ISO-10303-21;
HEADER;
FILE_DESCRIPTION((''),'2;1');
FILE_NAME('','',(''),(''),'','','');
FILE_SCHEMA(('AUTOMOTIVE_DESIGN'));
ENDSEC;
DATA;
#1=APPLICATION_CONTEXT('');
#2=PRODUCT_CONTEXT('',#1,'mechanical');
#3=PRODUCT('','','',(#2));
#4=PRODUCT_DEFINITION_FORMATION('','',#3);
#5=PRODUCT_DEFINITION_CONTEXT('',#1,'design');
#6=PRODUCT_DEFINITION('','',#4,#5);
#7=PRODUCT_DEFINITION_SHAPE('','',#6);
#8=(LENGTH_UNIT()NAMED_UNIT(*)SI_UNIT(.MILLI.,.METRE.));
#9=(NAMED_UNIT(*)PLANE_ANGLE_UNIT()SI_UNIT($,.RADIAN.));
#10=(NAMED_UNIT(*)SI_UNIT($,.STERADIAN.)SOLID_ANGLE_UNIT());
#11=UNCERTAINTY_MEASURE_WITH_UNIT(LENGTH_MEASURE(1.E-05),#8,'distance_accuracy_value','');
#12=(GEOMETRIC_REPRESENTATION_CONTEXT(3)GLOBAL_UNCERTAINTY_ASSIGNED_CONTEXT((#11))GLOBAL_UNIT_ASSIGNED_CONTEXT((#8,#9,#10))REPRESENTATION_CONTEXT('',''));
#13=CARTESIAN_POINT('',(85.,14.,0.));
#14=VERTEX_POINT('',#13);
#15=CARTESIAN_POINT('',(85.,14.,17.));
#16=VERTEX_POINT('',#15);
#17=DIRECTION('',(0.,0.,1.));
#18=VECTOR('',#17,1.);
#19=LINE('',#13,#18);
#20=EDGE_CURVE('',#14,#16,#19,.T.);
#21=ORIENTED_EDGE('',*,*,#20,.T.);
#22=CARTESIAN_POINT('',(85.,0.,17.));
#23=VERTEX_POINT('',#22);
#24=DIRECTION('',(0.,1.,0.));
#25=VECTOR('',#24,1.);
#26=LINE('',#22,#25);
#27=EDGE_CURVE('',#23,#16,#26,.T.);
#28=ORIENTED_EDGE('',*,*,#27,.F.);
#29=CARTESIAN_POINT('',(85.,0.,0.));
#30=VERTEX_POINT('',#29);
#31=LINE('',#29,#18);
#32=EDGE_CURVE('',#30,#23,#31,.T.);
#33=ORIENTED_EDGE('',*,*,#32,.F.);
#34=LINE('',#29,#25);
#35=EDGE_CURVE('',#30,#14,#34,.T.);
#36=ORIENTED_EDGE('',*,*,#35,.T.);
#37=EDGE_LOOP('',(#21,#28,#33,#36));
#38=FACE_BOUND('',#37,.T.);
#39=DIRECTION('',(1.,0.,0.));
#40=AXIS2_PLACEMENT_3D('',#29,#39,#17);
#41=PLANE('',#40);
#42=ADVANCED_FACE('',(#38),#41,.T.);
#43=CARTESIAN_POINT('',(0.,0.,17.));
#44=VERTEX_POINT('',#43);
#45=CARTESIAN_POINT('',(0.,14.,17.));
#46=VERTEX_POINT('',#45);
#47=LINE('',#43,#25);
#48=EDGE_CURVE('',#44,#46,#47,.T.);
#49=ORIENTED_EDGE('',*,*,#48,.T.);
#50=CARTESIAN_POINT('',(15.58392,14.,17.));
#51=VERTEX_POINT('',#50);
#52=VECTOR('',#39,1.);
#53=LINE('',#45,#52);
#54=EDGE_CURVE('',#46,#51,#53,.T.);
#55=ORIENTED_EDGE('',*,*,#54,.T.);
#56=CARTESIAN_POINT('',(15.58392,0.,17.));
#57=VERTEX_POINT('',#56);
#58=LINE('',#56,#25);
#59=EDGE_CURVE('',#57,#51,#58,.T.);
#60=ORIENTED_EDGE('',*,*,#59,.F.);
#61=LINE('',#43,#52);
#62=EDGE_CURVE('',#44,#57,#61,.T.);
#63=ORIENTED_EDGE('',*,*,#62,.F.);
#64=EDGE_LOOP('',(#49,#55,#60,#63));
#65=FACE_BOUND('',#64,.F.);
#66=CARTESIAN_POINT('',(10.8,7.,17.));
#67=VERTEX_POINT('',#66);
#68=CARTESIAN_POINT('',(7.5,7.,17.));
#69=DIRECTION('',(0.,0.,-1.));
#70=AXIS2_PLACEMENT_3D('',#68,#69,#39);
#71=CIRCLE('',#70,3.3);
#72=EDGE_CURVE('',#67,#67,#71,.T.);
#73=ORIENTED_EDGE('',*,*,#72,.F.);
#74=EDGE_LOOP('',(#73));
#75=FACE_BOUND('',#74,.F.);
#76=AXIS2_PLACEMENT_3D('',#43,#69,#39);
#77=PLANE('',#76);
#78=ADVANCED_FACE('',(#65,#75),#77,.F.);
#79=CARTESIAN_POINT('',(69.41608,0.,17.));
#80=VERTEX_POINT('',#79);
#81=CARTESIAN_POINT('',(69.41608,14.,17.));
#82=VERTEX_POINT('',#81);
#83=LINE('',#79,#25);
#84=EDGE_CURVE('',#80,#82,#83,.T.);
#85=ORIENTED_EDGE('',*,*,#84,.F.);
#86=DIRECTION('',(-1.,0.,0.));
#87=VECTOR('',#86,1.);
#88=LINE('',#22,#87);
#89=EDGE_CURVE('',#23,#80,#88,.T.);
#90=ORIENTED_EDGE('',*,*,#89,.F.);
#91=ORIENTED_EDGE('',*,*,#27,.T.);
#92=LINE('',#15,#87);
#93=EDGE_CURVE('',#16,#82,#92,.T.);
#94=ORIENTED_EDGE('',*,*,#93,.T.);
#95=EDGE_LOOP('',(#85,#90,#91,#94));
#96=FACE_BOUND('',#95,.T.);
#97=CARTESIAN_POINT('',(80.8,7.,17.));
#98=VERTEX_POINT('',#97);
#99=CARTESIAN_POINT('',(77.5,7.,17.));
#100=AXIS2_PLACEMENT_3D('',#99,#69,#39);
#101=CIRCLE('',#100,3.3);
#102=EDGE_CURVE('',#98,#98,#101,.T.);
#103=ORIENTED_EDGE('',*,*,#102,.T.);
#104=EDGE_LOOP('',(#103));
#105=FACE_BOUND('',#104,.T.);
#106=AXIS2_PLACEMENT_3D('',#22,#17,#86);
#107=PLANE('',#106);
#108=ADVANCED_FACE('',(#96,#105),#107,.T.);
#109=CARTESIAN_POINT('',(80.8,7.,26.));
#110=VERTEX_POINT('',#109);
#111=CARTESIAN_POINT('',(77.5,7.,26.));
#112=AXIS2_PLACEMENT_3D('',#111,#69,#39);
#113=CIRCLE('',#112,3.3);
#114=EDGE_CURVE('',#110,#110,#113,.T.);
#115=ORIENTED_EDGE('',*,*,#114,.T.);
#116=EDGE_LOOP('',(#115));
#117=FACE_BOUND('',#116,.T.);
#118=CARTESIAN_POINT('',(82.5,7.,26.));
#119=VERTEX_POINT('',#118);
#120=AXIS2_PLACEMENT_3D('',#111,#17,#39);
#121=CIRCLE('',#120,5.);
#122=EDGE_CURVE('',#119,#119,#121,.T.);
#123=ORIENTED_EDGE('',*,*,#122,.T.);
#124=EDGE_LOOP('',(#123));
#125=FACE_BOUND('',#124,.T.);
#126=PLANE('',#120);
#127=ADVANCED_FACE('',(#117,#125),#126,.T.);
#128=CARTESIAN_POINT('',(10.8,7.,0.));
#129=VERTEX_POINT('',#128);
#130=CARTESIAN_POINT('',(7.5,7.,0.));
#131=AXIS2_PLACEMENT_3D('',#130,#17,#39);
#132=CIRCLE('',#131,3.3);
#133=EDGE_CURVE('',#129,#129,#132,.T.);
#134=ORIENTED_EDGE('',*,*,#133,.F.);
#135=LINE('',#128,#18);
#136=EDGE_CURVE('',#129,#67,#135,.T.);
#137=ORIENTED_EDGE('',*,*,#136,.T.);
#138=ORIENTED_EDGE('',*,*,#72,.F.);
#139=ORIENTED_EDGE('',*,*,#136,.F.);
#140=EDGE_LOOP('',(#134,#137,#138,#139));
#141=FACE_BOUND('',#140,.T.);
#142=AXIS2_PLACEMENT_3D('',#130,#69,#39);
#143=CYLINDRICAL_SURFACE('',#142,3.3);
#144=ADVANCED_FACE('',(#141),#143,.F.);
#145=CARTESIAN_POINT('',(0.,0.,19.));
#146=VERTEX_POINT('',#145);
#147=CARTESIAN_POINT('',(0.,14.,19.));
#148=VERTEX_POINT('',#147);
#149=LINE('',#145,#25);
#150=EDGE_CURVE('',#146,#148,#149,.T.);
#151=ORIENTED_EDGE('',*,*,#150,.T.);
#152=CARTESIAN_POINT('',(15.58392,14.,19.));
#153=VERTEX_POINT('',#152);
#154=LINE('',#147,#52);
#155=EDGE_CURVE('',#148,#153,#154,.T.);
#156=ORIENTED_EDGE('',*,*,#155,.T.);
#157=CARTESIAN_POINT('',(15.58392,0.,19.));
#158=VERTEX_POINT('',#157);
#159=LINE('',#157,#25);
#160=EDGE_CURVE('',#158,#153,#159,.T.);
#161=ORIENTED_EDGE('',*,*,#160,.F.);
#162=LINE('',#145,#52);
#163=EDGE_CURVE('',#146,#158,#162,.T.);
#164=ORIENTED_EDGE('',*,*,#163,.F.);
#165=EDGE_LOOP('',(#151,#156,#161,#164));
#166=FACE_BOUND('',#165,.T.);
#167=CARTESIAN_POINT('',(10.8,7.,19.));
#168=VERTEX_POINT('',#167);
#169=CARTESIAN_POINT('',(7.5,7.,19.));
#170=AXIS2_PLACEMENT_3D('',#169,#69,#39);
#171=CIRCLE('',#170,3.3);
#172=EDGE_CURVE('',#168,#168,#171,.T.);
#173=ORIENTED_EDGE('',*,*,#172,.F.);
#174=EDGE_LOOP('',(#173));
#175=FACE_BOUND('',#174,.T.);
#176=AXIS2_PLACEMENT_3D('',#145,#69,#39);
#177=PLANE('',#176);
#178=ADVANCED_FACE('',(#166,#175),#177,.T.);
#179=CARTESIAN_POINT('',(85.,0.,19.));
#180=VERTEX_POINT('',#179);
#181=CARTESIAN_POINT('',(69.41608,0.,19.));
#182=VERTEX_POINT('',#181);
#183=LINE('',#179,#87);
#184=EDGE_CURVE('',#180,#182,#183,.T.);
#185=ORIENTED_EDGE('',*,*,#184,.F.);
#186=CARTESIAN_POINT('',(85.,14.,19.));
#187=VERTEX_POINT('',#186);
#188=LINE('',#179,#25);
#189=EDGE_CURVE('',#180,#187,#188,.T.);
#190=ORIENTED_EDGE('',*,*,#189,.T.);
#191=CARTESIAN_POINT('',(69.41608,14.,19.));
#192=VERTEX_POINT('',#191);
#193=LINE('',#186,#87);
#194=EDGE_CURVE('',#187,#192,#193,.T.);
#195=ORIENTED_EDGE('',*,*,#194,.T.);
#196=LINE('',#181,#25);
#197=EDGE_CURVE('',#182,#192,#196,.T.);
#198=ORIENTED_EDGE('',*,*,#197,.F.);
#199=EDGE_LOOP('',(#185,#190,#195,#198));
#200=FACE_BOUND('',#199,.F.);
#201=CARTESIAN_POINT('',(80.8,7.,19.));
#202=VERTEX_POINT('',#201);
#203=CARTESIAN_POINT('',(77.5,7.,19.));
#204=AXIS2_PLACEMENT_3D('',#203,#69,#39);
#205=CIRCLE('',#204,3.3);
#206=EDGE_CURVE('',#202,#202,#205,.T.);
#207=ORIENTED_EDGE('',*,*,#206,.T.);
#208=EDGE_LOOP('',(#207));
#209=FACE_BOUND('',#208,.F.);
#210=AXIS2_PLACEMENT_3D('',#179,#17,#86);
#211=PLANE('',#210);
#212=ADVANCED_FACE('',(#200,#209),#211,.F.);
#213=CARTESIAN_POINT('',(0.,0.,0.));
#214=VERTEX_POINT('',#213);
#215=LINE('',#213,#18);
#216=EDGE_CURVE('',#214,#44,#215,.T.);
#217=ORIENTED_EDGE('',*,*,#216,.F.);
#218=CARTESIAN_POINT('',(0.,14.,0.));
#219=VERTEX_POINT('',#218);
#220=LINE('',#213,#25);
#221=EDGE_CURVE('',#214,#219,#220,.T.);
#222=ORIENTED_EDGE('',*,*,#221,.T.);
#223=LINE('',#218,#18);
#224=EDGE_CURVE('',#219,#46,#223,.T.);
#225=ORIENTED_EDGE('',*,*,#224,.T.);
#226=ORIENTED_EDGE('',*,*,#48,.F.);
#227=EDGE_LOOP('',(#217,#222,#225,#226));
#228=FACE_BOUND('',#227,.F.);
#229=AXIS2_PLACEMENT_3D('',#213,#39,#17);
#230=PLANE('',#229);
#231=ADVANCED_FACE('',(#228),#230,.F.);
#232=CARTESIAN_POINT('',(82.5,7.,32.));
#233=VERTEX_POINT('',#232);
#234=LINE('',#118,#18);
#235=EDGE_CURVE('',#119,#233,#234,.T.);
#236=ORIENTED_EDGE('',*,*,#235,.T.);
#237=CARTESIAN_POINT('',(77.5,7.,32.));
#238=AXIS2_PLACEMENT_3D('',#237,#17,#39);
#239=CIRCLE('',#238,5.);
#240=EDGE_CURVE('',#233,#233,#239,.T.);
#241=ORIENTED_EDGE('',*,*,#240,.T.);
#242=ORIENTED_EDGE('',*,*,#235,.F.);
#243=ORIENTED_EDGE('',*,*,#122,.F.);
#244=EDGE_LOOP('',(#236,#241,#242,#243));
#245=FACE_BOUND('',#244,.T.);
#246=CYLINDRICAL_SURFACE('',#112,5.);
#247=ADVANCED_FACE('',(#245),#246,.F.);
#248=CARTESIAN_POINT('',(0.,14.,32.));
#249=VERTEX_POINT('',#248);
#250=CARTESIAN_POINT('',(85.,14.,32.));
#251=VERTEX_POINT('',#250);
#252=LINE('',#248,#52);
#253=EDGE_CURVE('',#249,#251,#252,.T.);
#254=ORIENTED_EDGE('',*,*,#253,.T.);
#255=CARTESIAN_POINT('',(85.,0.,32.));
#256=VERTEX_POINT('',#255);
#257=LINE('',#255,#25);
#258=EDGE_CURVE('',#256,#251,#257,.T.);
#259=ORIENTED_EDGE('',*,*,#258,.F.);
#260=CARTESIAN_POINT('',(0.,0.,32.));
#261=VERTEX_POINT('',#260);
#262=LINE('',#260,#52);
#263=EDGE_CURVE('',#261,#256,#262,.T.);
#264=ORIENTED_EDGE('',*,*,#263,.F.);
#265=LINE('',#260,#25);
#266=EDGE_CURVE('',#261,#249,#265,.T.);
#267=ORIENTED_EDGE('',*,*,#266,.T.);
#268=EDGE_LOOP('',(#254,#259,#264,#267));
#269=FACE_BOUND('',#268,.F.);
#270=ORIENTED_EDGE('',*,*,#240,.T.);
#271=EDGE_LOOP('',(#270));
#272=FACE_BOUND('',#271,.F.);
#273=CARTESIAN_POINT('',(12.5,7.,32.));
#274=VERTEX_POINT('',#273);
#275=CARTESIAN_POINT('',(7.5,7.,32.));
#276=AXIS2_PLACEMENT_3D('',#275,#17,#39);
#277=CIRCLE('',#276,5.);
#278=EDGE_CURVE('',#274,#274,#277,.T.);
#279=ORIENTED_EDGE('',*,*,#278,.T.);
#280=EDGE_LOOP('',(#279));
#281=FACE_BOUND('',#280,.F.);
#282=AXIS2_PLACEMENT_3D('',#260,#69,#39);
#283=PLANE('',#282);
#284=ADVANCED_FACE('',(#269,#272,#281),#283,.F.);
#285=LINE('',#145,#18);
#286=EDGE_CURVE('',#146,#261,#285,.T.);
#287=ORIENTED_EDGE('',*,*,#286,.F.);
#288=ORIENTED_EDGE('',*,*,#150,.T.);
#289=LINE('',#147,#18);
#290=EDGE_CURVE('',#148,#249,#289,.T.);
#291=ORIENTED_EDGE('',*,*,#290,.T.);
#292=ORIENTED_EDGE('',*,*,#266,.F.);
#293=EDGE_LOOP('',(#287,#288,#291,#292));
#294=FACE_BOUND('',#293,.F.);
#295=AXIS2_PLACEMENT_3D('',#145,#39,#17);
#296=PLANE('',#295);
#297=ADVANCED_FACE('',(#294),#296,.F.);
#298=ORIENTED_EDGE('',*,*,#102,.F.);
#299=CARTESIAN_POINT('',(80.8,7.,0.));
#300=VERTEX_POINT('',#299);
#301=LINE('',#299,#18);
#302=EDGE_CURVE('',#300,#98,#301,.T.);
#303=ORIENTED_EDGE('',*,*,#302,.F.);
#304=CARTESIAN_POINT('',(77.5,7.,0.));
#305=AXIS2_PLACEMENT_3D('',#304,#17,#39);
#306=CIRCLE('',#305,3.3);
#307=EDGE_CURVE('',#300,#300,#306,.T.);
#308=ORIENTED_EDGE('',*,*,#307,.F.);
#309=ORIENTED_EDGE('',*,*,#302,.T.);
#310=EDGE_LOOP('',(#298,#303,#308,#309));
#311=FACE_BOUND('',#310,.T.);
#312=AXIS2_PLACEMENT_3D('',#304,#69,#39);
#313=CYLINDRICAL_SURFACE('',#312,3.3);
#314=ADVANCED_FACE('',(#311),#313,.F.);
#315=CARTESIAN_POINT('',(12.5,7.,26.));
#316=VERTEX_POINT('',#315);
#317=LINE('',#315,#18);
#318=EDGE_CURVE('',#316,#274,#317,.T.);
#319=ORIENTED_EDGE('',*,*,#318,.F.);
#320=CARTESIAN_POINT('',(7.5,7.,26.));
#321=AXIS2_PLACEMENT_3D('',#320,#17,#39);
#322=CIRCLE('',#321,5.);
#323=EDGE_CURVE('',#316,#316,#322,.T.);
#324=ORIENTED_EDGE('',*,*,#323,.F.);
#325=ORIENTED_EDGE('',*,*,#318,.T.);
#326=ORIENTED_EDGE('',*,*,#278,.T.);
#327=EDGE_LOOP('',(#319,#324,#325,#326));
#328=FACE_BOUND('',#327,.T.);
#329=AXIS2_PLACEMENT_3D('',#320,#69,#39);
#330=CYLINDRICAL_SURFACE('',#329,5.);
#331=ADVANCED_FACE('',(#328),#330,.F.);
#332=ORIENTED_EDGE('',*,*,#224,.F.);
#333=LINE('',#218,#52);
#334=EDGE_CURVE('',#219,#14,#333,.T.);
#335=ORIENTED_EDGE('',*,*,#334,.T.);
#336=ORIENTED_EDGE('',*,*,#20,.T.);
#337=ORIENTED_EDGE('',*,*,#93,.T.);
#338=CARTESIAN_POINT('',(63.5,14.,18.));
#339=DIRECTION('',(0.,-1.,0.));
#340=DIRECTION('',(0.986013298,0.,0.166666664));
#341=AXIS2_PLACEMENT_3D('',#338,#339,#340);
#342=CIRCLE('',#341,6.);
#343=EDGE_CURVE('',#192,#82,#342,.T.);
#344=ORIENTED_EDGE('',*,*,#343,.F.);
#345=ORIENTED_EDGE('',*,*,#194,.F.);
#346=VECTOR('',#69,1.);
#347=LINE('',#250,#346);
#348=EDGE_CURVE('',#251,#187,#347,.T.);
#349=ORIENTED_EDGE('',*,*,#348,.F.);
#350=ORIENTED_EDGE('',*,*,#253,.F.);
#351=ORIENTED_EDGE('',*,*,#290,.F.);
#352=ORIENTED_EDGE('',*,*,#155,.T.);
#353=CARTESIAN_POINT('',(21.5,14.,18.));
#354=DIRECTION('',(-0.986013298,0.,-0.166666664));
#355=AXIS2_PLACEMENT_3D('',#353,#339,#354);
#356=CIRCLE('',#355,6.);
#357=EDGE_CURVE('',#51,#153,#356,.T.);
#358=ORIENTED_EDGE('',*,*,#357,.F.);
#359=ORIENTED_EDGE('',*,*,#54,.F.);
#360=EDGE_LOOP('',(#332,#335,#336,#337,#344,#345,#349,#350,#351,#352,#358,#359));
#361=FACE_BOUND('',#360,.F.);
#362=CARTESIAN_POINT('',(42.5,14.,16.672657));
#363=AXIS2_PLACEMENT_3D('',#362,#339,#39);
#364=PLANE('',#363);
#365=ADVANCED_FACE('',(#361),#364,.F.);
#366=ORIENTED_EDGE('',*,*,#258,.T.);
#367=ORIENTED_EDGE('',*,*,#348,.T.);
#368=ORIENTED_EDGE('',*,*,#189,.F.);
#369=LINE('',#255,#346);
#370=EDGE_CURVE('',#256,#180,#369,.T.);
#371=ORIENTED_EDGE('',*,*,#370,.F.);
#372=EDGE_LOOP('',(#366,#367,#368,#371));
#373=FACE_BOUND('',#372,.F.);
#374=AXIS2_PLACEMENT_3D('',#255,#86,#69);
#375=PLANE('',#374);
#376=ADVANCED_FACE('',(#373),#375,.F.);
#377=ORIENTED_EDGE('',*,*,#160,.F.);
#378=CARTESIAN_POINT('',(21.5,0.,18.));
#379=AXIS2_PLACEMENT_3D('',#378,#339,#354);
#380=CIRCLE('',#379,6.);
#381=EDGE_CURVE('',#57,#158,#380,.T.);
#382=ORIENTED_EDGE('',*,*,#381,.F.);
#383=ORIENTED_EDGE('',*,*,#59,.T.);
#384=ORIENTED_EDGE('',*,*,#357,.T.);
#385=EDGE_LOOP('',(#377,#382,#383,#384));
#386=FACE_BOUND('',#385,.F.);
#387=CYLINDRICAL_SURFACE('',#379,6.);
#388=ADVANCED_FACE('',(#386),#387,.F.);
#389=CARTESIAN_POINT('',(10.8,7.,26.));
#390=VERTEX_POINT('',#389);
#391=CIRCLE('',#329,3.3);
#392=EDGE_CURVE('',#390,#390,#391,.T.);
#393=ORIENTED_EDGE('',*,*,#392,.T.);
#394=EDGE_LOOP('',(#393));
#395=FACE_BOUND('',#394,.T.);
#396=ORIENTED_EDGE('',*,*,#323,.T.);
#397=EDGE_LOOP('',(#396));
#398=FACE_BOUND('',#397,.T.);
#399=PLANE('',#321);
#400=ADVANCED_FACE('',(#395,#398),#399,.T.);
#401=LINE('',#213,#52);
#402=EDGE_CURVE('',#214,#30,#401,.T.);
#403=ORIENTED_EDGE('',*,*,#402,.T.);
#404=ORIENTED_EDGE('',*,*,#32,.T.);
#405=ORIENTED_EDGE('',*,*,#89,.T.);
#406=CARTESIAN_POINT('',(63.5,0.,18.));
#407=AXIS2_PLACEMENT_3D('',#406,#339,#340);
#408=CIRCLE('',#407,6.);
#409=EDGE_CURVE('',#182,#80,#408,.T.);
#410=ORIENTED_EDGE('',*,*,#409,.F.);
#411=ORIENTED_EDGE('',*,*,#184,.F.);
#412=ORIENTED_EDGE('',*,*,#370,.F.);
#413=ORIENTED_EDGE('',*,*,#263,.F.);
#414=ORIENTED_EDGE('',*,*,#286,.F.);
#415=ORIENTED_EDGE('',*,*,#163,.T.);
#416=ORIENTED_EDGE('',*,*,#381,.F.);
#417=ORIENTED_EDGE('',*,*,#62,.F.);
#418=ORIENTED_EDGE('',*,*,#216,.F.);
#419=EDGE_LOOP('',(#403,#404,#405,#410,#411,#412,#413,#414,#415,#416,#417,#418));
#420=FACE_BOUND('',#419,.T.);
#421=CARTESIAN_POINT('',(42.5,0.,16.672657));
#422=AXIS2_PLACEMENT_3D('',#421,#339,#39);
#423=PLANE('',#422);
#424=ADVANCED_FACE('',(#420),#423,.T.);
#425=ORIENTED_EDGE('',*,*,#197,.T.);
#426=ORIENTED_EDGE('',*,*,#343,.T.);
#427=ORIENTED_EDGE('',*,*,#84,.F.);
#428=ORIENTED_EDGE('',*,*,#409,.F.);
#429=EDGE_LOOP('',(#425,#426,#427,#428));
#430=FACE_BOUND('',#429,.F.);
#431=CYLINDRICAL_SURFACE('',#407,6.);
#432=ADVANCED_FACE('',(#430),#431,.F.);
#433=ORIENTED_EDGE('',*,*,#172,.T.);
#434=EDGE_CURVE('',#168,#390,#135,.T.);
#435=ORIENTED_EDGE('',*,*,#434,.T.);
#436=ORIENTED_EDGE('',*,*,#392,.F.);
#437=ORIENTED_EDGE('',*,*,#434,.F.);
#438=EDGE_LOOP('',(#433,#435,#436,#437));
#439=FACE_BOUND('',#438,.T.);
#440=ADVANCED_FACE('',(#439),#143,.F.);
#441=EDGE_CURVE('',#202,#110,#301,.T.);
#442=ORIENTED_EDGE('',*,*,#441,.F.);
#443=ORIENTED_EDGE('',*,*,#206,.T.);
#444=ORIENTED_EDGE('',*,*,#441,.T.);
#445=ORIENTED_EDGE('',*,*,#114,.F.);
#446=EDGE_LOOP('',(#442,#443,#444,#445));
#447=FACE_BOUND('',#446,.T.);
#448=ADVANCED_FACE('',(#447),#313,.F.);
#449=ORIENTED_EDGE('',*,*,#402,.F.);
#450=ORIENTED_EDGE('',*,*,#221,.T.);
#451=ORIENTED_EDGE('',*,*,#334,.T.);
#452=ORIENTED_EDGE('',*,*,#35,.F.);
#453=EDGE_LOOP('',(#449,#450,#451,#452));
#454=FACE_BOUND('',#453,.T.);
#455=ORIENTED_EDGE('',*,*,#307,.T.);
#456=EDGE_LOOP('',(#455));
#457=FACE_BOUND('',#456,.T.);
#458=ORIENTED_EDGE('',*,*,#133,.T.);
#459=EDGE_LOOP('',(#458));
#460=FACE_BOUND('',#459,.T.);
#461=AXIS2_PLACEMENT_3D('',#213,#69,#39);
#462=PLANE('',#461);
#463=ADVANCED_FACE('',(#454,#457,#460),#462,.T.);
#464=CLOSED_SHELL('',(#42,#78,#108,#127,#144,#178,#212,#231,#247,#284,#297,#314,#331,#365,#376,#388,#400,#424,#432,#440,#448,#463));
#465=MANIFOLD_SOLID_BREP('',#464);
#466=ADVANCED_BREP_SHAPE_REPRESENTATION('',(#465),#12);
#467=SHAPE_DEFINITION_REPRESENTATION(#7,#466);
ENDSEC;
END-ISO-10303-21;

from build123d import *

# Parameters (mm, degrees)
CYLINDER002_R     = 3.3
CYLINDER002_DEPTH = 28
CYLINDER003_R     = 5
CYLINDER003_DEPTH = 6
CYLINDER_R        = 3.3
CYLINDER_DEPTH    = 28
CYLINDER001_R     = 5
CYLINDER001_DEPTH = 6
PAD_DEPTH         = 14


with BuildPart() as cilindro002:
    # Cylinder002 → Cylinder002 (new body)
    with BuildSketch(Plane.XY):
        Circle(CYLINDER002_R)
    extrude(amount=CYLINDER002_DEPTH)


with BuildPart() as tornillo_dcho:
    # Cylinder003 → Cylinder003 (new body)
    with BuildSketch(Plane.XY.offset(26)):
        Circle(CYLINDER003_R)
    extrude(amount=CYLINDER003_DEPTH)

    # Fusion001: union Cilindro002
    add(cilindro002.part)


with BuildPart() as tornillo_dcho_1:
    # Fusion001 placement: moved
    add(tornillo_dcho.part.moved(Location((77.5, 7, 0))))


with BuildPart() as cilindro:
    # Cylinder → Cylinder (new body)
    with BuildSketch(Plane.XY):
        Circle(CYLINDER_R)
    extrude(amount=CYLINDER_DEPTH)


with BuildPart() as tornillos_m6:
    # Cylinder001 → Cylinder001 (new body)
    with BuildSketch(Plane.XY.offset(26)):
        Circle(CYLINDER001_R)
    extrude(amount=CYLINDER001_DEPTH)

    # Fusion: union Cilindro
    add(cilindro.part)


with BuildPart() as tornillos_m6_1:
    # Fusion placement: moved
    add(tornillos_m6.part.moved(Location((7.5, 7, 0))))

    # Fusion002: union Tornillo Dcho
    add(tornillo_dcho_1.part)


with BuildPart() as kta12_m6:
    # Sketch → Pad (new body)
    with BuildSketch(Plane.XZ):
        with BuildLine():
            Line((0, 0), (85, 0))
            Line((85, 0), (85, 17))
            Line((85, 17), (69.41608, 17))
            ThreePointArc((69.41608, 19), (57.5, 18), (69.41608, 17))
            Line((85, 19), (69.41608, 19))
            Line((85, 32), (85, 19))
            Line((0, 32), (85, 32))
            Line((0, 19), (0, 32))
            Line((0, 19), (15.58392, 19))
            ThreePointArc((15.58392, 17), (27.5, 18), (15.58392, 19))
            Line((0, 17), (15.58392, 17))
            Line((0, 0), (0, 17))
        make_face()
    extrude(amount=-PAD_DEPTH)

    # Cut: cut Tornillos_M6
    add(tornillos_m6_1.part, mode=Mode.SUBTRACT)


solid = kta12_m6.part
